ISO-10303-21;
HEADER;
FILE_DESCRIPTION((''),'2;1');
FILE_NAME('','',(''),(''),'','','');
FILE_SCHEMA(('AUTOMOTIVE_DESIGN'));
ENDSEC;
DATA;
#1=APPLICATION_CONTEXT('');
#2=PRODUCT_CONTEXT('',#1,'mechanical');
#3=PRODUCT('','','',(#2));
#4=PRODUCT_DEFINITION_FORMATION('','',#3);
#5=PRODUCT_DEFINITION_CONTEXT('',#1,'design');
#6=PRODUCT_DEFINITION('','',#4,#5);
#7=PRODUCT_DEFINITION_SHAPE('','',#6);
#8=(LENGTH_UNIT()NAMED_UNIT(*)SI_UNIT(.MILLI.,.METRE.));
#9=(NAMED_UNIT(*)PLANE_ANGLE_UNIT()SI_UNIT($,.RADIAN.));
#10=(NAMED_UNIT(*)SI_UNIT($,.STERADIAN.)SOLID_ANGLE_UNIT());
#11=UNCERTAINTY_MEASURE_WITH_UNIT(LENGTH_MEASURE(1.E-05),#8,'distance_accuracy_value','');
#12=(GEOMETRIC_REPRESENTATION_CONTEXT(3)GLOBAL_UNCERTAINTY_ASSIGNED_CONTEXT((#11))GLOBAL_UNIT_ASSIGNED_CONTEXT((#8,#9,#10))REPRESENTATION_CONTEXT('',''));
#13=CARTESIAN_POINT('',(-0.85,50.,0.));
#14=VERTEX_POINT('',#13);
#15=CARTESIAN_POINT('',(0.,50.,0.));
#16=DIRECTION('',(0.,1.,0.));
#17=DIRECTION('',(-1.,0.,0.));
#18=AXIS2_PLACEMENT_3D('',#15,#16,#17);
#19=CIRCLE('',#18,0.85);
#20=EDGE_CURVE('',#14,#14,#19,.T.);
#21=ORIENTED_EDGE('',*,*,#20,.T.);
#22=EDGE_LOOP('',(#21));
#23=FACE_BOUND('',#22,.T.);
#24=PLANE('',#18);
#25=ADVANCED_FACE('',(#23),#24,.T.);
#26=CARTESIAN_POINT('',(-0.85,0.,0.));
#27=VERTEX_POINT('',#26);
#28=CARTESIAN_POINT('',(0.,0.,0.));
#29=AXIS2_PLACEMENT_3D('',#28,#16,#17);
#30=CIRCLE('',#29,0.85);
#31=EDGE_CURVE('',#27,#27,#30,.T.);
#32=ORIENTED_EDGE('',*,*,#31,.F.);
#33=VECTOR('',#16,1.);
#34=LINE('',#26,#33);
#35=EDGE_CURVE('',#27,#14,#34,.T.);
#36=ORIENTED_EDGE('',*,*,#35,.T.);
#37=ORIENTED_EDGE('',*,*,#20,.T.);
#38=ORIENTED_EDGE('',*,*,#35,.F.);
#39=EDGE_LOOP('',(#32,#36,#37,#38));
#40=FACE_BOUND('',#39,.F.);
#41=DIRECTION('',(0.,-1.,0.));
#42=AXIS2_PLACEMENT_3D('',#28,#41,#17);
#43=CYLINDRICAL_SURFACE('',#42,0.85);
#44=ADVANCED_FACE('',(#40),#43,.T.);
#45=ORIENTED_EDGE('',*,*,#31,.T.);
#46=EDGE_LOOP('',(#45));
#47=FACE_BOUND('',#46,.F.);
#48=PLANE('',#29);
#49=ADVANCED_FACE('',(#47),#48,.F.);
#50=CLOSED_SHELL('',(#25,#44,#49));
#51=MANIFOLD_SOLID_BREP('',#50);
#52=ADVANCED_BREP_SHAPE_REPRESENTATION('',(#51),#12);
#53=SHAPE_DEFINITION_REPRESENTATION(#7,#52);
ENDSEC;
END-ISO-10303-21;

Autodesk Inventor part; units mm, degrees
ref_plane "YZ Plane" through (0, 0, 0) normal (1, 0, 0) x (0, 1, 0)
ref_plane "XZ Plane" through (0, 0, 0) normal (0, 1, 0) x (-1, 0, 0)
ref_plane "XY Plane" through (0, 0, 0) normal (0, 0, 1) x (1, 0, 0)
sketch "Sketch1" plane through (0, 0, 0) normal (0, 1, 0) x (-1, 0, 0)
  circle A0 centre (0, 0) radius 0.85
  dimension "d0" = 1.7
extrude "Extrusion1" add sketch "Sketch1" along normal blind 50
properties part number "PoleSupportStructure"
